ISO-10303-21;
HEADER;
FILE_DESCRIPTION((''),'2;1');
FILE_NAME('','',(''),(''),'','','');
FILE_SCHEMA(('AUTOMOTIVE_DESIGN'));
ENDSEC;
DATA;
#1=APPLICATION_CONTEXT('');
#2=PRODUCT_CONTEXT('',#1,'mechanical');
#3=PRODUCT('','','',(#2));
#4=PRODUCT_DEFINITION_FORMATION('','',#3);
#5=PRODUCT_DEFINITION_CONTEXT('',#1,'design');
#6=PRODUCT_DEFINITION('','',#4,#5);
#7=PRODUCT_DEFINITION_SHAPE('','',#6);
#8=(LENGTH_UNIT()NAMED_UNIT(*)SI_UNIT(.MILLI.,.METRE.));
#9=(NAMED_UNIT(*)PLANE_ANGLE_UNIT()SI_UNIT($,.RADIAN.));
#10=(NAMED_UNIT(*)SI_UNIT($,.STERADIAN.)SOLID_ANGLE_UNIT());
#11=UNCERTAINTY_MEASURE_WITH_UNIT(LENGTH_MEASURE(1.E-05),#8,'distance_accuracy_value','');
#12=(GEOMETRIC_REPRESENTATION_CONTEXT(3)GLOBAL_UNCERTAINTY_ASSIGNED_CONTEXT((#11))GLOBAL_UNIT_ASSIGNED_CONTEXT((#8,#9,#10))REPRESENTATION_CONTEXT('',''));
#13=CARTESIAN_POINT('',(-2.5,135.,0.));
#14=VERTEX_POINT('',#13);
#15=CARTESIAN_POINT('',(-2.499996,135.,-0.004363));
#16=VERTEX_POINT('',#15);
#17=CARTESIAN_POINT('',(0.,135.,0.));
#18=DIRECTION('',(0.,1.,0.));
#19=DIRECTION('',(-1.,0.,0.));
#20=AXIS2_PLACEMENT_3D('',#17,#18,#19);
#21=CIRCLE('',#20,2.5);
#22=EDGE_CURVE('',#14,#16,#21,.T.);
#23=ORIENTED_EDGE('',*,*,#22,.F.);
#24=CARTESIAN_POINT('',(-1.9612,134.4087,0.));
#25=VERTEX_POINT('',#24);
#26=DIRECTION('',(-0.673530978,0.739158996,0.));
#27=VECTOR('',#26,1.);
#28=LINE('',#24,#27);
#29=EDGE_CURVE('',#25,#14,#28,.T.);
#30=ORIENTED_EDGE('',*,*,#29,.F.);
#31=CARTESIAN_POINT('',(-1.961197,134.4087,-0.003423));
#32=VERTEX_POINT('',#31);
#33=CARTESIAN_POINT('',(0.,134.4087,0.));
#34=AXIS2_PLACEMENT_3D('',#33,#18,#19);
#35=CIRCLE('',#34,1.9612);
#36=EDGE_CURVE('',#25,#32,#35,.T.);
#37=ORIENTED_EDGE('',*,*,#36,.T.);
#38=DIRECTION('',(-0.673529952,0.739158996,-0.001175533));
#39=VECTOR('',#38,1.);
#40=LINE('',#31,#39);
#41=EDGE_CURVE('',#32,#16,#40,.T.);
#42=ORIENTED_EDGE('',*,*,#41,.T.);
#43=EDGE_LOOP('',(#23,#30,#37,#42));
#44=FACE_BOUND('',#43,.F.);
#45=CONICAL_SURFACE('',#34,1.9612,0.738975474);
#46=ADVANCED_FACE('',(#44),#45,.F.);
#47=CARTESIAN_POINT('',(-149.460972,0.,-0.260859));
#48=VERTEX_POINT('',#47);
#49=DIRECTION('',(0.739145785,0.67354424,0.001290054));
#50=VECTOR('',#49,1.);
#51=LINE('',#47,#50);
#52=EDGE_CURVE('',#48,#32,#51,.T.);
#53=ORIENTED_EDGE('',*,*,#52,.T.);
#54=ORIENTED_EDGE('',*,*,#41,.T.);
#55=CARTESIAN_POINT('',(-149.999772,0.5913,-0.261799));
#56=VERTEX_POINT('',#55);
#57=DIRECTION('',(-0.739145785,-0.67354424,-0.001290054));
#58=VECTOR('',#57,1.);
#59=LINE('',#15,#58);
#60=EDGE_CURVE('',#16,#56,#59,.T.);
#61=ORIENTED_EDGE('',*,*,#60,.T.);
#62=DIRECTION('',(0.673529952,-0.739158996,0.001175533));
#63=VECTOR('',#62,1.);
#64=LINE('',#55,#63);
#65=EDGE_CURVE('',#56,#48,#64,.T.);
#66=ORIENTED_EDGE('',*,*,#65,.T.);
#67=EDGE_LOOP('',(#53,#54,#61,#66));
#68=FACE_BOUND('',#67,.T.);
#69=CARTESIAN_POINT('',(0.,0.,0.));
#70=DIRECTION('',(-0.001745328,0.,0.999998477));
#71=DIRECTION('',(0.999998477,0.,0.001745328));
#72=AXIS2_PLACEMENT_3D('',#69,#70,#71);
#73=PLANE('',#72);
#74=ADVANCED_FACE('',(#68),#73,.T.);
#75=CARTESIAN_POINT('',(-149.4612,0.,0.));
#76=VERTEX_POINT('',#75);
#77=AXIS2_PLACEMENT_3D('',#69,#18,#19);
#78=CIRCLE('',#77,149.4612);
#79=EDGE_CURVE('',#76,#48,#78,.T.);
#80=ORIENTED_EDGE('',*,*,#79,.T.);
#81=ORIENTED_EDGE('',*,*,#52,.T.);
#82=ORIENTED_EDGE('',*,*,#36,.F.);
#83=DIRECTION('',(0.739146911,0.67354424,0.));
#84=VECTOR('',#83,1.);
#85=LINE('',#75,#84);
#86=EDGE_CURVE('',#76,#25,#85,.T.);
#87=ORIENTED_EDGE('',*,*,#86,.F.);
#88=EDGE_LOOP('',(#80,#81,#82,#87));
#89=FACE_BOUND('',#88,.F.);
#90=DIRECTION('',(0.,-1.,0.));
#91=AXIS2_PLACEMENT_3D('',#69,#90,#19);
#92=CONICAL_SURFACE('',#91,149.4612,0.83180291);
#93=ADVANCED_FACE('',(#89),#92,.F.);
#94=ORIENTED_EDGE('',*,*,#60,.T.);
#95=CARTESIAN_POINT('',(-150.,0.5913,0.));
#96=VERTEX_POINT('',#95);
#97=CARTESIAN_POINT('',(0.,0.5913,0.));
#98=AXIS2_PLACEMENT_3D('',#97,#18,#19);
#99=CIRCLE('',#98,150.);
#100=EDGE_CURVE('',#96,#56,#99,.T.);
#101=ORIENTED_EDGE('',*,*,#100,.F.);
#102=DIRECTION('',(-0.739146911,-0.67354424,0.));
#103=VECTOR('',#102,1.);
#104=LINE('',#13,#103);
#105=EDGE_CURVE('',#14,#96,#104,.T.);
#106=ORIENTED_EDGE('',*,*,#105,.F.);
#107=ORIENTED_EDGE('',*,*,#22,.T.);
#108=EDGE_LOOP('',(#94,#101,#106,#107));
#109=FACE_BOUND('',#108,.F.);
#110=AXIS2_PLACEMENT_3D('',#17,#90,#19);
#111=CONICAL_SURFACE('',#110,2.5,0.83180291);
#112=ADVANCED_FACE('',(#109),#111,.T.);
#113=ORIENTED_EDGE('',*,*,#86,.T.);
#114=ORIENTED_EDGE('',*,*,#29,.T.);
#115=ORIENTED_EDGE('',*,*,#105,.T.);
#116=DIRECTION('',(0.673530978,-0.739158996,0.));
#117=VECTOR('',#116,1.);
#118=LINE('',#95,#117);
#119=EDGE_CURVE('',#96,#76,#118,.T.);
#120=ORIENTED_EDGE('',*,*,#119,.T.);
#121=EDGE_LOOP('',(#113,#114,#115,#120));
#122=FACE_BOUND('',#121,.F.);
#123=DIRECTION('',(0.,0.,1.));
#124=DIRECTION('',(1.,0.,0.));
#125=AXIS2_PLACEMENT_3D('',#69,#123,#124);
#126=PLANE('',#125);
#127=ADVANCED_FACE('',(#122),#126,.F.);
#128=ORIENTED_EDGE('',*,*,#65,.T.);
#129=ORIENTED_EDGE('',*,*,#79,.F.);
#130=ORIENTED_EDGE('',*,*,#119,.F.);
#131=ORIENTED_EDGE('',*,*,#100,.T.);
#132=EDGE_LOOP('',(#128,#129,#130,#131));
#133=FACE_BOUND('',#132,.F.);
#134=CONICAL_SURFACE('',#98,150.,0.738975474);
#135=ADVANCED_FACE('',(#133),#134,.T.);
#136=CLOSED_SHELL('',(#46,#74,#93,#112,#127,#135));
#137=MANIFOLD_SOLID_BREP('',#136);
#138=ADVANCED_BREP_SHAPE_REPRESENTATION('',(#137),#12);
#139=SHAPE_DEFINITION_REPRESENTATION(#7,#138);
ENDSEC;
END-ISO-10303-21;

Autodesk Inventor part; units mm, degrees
ref_plane "YZ Plane" through (0, 0, 0) normal (1, 0, 0) x (0, 1, 0)
ref_plane "XZ Plane" through (0, 0, 0) normal (0, 1, 0) x (-1, 0, 0)
ref_plane "XY Plane" through (0, 0, 0) normal (0, 0, 1) x (1, 0, 0)
sketch "Sketch1" plane through (0, 0, 0) normal (0, 0, 1) x (1, 0, 0)
  line L0 (-149.4612, 0) -> (-1.9612, 134.4087)
  line L1 (-1.9612, 134.4087) -> (-2.5, 135)
  line L2 (-2.5, 135) -> (-150, 0.5913)
  line L3 (-150, 0.5913) -> (-149.4612, 0)
  line L4 (-149.4612, 0) -> (-2.5, 135) construction
  line L5 (-1.9612, 134.4087) -> (-150, 0.5913) construction
  line L6 (0, 0) -> (0, 135)
  point P0 (-75.9806, 67.5)
  dimension "d0" = 0.8
  dimension "d3" = 300
  dimension "d4" = 135
  dimension "d5" = 5
revolve "Revolution1" add sketch "Sketch1" angle 359.9 about axis through (0, 0, 0) along (0, 1, 0)
equation "\"d0\" = Thickness"
equation "\"BendRadius\" = Thickness"
equation "\"BendReliefWidth\" = Thickness"
equation "\"BendReliefDepth\" = 0.5 * Thickness"
equation "\"CornerReliefSize\" = 4 * Thickness"
equation "\"MinimumRemnant\" = 2 * Thickness"
equation "\"TransitionRadius\" = BendRadius"
equation "\"JacobiRadiusSize\" = BendRadius"
equation "\"GapSize\" = Thickness"
equation "\"Thickness\" = 0.8"
properties part number "МОО 083 ракета нос" material "Stainless Steel"
